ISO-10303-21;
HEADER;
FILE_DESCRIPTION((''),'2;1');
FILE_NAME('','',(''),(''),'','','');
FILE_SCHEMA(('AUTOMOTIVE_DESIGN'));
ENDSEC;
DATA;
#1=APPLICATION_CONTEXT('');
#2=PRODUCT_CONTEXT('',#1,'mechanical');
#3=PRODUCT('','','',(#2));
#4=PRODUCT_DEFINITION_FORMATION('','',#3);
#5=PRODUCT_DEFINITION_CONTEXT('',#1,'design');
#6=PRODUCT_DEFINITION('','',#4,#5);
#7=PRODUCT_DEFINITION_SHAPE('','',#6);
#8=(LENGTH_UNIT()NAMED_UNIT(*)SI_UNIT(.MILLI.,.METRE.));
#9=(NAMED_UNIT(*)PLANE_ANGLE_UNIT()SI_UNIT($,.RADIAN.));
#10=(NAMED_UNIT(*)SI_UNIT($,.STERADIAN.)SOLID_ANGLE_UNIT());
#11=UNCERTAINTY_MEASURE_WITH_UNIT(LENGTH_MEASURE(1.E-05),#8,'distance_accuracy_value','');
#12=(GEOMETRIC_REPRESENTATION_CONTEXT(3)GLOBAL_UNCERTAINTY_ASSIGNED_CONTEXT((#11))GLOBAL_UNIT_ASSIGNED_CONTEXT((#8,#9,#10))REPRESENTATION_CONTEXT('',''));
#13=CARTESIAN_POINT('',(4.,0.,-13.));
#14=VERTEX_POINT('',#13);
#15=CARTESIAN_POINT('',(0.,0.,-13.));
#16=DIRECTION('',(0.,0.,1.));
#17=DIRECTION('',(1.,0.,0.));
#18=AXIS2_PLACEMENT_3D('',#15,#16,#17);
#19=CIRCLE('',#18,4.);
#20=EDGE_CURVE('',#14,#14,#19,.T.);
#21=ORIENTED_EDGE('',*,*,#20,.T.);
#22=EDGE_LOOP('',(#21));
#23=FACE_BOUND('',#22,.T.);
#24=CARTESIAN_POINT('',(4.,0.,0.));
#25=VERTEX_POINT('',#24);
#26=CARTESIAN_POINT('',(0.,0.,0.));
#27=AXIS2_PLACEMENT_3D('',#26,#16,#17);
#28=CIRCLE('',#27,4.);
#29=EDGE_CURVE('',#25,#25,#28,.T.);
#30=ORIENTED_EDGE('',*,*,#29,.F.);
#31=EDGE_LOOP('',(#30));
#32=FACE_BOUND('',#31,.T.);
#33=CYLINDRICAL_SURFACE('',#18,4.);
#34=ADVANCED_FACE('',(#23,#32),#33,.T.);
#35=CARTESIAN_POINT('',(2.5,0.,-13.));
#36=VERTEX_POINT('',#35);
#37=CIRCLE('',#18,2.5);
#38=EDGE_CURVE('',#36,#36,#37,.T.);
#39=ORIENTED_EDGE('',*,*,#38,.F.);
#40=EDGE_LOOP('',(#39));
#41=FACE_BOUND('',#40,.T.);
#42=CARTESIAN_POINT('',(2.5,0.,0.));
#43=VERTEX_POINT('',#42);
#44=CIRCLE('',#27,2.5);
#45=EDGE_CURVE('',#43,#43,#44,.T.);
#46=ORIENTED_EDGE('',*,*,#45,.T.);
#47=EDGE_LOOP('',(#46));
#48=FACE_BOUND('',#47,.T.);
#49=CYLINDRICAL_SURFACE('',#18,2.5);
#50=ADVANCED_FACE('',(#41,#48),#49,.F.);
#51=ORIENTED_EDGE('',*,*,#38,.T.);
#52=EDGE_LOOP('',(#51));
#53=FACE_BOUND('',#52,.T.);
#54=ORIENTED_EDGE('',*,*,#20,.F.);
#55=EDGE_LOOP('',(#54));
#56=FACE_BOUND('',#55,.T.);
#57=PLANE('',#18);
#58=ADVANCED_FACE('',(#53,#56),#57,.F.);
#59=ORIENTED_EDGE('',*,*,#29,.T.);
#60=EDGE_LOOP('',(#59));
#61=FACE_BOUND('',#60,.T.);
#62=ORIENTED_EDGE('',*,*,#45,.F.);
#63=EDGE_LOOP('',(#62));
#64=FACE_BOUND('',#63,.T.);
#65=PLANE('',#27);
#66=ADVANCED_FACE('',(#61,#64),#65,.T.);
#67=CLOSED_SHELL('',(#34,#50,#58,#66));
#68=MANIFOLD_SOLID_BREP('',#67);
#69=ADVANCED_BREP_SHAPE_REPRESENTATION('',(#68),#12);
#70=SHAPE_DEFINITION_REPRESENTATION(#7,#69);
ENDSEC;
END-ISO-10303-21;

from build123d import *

# Parameters (mm, degrees)
SCHIZZO1_R                   = 4
SCHIZZO1_R_2                 = 2.5
ESTRUSIONE_ESTRUSIONE1_DEPTH = 13


with BuildPart() as part:
    # Schizzo1 → Estrusione-Estrusione1 (new body)
    with BuildSketch(Plane.XY):
        Circle(SCHIZZO1_R)
        Circle(SCHIZZO1_R_2, mode=Mode.SUBTRACT)
    extrude(amount=-ESTRUSIONE_ESTRUSIONE1_DEPTH)


solid = part.part
